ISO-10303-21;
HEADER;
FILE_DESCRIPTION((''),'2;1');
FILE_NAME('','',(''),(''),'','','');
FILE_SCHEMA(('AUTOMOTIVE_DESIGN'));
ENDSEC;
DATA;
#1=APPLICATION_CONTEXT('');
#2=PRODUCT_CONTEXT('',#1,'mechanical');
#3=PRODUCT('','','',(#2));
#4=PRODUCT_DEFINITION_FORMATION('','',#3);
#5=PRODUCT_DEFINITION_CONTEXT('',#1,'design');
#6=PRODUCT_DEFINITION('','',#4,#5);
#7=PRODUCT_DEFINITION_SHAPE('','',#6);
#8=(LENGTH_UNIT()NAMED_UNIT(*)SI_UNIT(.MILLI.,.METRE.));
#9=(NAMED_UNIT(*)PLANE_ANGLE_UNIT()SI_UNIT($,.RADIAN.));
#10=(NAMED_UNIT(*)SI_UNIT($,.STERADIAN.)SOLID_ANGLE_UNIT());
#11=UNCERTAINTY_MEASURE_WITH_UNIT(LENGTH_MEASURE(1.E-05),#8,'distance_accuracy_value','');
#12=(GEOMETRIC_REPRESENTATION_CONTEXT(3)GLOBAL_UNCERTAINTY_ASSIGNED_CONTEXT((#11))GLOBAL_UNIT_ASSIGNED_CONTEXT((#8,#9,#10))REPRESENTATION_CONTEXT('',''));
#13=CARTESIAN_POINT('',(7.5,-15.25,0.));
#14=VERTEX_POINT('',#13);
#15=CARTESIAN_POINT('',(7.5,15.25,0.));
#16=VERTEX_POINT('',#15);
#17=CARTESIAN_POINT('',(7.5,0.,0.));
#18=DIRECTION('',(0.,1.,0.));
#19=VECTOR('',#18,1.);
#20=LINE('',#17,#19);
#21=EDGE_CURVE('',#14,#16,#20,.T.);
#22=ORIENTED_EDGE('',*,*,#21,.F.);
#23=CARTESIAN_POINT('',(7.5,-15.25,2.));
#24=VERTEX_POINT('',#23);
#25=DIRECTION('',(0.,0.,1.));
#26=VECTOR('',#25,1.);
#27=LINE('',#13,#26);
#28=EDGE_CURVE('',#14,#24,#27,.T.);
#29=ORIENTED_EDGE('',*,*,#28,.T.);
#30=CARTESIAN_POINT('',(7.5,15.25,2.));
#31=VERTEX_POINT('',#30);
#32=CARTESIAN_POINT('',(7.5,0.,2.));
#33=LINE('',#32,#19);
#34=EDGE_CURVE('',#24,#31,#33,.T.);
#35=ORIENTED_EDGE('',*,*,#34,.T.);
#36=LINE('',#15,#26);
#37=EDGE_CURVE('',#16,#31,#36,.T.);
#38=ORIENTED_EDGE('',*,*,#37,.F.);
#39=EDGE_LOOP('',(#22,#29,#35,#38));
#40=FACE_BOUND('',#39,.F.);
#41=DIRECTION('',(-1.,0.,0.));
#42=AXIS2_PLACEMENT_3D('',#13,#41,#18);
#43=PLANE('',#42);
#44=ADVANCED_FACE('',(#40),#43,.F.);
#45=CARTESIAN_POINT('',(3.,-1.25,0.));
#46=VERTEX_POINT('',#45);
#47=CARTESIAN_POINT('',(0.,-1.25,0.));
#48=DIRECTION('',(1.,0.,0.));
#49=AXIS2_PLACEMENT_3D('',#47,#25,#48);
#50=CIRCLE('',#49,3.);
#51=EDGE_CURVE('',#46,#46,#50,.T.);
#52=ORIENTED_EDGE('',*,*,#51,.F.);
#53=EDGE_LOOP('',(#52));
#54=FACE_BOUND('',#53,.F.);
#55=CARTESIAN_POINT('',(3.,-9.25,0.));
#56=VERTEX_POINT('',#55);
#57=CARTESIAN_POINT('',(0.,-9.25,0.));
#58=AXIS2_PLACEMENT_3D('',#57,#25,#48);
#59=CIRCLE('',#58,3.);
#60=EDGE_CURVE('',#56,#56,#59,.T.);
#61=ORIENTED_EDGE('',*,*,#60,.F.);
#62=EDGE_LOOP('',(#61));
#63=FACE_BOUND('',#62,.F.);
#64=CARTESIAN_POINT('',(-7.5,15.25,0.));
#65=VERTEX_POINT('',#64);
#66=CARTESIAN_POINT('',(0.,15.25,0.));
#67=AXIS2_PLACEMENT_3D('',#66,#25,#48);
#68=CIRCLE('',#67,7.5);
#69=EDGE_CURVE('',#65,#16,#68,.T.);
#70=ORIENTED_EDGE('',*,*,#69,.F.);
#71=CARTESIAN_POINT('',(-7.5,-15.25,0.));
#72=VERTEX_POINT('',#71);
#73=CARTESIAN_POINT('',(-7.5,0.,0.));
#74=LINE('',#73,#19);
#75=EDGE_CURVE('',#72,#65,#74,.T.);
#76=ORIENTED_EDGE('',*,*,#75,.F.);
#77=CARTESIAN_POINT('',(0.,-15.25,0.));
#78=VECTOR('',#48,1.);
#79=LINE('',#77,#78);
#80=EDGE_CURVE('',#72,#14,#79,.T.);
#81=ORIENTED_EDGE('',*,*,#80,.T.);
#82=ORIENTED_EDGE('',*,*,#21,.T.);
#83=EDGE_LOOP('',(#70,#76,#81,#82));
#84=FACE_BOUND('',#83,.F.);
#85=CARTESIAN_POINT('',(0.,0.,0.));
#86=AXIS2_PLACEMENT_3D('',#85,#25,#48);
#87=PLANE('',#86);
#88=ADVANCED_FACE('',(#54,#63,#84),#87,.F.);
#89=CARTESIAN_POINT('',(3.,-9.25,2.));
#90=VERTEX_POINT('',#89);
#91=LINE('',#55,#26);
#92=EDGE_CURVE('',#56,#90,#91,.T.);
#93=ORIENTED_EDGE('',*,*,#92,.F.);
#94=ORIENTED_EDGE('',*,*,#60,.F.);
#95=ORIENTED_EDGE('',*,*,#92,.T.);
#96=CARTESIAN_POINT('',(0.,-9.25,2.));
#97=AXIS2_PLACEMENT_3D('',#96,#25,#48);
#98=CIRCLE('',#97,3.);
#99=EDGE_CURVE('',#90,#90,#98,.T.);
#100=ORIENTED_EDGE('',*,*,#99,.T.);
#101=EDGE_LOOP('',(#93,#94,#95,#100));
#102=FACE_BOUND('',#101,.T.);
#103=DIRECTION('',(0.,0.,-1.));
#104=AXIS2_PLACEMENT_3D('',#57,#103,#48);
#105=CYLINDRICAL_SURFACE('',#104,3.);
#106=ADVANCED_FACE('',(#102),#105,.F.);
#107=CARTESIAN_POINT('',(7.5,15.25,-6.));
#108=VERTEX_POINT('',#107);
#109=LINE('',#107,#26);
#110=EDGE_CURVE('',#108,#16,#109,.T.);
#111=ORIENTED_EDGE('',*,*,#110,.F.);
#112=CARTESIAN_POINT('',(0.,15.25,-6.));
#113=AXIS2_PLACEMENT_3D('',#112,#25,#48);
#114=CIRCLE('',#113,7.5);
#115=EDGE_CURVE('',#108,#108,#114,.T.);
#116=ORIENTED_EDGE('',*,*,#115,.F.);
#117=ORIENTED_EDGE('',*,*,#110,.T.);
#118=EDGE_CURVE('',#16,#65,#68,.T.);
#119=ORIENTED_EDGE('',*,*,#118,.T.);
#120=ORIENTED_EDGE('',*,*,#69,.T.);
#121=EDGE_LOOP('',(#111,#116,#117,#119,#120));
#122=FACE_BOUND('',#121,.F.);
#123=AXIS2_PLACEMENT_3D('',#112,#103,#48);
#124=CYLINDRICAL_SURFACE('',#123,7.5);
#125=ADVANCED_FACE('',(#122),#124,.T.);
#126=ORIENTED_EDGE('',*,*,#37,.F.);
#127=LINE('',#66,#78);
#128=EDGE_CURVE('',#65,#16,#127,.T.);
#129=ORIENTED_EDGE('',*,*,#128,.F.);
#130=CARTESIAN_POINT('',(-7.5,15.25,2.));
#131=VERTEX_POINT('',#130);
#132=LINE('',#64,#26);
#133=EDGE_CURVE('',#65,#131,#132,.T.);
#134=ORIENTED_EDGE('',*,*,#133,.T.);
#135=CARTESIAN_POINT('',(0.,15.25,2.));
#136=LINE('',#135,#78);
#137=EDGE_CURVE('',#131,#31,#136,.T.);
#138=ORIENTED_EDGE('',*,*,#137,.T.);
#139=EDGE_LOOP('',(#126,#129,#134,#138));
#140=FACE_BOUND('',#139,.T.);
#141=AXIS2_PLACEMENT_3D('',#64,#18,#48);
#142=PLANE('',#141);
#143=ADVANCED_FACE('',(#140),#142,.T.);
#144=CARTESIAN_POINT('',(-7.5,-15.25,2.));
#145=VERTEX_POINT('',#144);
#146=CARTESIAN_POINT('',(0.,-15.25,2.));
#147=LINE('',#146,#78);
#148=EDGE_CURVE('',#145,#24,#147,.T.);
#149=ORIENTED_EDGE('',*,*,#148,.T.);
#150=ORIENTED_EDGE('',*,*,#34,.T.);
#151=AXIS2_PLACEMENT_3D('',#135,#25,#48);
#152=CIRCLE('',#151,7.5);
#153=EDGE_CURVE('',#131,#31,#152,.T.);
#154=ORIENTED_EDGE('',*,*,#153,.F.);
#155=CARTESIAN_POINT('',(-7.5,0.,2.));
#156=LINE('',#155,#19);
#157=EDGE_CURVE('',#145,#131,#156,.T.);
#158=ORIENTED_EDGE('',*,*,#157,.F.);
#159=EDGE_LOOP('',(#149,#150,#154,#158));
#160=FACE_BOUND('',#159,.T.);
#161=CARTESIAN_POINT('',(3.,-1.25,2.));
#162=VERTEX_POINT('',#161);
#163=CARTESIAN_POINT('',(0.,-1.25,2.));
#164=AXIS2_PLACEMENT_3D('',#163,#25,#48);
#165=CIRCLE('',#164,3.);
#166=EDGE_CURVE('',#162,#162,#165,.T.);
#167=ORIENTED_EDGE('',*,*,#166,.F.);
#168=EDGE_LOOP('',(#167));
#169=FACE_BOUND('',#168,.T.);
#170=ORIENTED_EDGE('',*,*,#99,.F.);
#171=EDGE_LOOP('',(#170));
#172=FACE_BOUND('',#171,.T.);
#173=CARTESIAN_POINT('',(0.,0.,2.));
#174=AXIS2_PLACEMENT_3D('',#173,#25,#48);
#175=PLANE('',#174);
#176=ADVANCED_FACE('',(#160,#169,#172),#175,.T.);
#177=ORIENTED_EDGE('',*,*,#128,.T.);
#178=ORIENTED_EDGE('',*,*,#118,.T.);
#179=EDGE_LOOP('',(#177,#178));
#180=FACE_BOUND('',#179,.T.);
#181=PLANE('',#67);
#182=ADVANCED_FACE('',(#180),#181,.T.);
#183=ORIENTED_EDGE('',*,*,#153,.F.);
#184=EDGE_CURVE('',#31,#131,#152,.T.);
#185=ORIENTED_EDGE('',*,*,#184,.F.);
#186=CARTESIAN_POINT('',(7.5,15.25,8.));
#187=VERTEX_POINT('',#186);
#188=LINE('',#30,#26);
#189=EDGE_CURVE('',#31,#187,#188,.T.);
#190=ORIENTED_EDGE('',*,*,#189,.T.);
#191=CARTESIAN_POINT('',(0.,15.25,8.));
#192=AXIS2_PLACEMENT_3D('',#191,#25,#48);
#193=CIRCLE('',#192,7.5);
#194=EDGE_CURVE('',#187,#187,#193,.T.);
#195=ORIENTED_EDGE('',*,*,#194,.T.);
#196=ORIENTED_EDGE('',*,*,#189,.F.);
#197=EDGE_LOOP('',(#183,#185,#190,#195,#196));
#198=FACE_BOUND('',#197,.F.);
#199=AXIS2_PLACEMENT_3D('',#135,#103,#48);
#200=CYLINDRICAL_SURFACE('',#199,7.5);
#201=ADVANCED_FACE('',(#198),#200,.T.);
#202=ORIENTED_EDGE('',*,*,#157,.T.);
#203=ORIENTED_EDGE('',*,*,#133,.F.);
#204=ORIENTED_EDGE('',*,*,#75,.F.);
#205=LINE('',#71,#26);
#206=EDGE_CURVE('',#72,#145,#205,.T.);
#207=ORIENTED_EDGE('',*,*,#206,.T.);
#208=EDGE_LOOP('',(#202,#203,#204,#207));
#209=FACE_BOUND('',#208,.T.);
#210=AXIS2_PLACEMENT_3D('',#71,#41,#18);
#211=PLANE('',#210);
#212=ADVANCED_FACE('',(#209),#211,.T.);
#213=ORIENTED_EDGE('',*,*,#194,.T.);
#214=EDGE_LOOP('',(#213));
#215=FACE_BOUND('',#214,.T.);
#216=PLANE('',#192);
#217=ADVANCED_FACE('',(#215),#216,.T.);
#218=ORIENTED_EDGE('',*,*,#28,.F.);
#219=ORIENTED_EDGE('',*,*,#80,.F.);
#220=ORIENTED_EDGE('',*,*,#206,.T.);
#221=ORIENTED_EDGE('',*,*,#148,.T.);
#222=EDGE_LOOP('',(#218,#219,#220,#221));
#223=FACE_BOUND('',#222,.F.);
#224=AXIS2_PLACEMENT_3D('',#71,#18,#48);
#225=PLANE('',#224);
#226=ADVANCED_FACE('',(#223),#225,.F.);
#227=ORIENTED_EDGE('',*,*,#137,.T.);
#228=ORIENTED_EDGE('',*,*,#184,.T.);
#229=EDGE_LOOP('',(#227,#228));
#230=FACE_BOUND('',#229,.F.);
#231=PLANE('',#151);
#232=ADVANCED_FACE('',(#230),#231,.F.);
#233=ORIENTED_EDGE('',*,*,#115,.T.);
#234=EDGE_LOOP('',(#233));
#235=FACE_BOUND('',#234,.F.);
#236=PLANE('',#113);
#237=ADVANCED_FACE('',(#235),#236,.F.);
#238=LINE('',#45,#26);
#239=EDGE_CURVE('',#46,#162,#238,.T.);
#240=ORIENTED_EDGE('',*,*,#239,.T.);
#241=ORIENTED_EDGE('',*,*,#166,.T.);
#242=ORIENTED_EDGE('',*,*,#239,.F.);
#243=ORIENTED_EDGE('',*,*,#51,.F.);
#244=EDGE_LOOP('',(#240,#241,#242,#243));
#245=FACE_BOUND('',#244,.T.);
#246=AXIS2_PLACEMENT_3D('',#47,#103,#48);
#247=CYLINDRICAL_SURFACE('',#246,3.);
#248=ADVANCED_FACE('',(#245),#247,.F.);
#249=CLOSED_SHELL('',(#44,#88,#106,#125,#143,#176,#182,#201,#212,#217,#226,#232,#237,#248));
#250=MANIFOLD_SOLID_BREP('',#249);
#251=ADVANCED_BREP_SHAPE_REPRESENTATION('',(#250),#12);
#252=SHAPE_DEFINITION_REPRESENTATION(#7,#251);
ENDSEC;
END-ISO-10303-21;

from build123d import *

# Parameters (mm, degrees)
SZKIC1_W                    = 15
SZKIC1_H                    = 30.5
SZKIC1_R                    = 3
DODANIE_WYCI_GNI_CIE1_DEPTH = 2
SZKIC2_R                    = 7.5
DODANIE_WYCI_GNI_CIE2_DEPTH = 6
DODANIE_WYCI_GNI_CIE3_START = -8
SZKIC2_2_R                  = 7.5
DODANIE_WYCI_GNI_CIE3_DEPTH = 6


with BuildPart() as part:
    # Szkic1 → Dodanie-wyciągnięcie1 (new body)
    with BuildSketch(Plane.XY):
        Rectangle(SZKIC1_W, SZKIC1_H)
        with Locations((0, -9.25)):
            Circle(SZKIC1_R, mode=Mode.SUBTRACT)
        with Locations((0, -1.25)):
            Circle(SZKIC1_R, mode=Mode.SUBTRACT)
    extrude(amount=DODANIE_WYCI_GNI_CIE1_DEPTH)

    # Szkic2 → Dodanie-wyciągnięcie2 (add)
    with BuildSketch(Plane.XY.offset(2)):
        with Locations((0, 15.25)):
            Circle(SZKIC2_R)
    extrude(amount=DODANIE_WYCI_GNI_CIE2_DEPTH)

    # Szkic2<2> → Dodanie-wyciągnięcie3 (add)
    with BuildSketch(Plane.XY.offset(2).offset(DODANIE_WYCI_GNI_CIE3_START)):
        with Locations((0, 15.25)):
            Circle(SZKIC2_2_R)
    extrude(amount=DODANIE_WYCI_GNI_CIE3_DEPTH)


solid = part.part
